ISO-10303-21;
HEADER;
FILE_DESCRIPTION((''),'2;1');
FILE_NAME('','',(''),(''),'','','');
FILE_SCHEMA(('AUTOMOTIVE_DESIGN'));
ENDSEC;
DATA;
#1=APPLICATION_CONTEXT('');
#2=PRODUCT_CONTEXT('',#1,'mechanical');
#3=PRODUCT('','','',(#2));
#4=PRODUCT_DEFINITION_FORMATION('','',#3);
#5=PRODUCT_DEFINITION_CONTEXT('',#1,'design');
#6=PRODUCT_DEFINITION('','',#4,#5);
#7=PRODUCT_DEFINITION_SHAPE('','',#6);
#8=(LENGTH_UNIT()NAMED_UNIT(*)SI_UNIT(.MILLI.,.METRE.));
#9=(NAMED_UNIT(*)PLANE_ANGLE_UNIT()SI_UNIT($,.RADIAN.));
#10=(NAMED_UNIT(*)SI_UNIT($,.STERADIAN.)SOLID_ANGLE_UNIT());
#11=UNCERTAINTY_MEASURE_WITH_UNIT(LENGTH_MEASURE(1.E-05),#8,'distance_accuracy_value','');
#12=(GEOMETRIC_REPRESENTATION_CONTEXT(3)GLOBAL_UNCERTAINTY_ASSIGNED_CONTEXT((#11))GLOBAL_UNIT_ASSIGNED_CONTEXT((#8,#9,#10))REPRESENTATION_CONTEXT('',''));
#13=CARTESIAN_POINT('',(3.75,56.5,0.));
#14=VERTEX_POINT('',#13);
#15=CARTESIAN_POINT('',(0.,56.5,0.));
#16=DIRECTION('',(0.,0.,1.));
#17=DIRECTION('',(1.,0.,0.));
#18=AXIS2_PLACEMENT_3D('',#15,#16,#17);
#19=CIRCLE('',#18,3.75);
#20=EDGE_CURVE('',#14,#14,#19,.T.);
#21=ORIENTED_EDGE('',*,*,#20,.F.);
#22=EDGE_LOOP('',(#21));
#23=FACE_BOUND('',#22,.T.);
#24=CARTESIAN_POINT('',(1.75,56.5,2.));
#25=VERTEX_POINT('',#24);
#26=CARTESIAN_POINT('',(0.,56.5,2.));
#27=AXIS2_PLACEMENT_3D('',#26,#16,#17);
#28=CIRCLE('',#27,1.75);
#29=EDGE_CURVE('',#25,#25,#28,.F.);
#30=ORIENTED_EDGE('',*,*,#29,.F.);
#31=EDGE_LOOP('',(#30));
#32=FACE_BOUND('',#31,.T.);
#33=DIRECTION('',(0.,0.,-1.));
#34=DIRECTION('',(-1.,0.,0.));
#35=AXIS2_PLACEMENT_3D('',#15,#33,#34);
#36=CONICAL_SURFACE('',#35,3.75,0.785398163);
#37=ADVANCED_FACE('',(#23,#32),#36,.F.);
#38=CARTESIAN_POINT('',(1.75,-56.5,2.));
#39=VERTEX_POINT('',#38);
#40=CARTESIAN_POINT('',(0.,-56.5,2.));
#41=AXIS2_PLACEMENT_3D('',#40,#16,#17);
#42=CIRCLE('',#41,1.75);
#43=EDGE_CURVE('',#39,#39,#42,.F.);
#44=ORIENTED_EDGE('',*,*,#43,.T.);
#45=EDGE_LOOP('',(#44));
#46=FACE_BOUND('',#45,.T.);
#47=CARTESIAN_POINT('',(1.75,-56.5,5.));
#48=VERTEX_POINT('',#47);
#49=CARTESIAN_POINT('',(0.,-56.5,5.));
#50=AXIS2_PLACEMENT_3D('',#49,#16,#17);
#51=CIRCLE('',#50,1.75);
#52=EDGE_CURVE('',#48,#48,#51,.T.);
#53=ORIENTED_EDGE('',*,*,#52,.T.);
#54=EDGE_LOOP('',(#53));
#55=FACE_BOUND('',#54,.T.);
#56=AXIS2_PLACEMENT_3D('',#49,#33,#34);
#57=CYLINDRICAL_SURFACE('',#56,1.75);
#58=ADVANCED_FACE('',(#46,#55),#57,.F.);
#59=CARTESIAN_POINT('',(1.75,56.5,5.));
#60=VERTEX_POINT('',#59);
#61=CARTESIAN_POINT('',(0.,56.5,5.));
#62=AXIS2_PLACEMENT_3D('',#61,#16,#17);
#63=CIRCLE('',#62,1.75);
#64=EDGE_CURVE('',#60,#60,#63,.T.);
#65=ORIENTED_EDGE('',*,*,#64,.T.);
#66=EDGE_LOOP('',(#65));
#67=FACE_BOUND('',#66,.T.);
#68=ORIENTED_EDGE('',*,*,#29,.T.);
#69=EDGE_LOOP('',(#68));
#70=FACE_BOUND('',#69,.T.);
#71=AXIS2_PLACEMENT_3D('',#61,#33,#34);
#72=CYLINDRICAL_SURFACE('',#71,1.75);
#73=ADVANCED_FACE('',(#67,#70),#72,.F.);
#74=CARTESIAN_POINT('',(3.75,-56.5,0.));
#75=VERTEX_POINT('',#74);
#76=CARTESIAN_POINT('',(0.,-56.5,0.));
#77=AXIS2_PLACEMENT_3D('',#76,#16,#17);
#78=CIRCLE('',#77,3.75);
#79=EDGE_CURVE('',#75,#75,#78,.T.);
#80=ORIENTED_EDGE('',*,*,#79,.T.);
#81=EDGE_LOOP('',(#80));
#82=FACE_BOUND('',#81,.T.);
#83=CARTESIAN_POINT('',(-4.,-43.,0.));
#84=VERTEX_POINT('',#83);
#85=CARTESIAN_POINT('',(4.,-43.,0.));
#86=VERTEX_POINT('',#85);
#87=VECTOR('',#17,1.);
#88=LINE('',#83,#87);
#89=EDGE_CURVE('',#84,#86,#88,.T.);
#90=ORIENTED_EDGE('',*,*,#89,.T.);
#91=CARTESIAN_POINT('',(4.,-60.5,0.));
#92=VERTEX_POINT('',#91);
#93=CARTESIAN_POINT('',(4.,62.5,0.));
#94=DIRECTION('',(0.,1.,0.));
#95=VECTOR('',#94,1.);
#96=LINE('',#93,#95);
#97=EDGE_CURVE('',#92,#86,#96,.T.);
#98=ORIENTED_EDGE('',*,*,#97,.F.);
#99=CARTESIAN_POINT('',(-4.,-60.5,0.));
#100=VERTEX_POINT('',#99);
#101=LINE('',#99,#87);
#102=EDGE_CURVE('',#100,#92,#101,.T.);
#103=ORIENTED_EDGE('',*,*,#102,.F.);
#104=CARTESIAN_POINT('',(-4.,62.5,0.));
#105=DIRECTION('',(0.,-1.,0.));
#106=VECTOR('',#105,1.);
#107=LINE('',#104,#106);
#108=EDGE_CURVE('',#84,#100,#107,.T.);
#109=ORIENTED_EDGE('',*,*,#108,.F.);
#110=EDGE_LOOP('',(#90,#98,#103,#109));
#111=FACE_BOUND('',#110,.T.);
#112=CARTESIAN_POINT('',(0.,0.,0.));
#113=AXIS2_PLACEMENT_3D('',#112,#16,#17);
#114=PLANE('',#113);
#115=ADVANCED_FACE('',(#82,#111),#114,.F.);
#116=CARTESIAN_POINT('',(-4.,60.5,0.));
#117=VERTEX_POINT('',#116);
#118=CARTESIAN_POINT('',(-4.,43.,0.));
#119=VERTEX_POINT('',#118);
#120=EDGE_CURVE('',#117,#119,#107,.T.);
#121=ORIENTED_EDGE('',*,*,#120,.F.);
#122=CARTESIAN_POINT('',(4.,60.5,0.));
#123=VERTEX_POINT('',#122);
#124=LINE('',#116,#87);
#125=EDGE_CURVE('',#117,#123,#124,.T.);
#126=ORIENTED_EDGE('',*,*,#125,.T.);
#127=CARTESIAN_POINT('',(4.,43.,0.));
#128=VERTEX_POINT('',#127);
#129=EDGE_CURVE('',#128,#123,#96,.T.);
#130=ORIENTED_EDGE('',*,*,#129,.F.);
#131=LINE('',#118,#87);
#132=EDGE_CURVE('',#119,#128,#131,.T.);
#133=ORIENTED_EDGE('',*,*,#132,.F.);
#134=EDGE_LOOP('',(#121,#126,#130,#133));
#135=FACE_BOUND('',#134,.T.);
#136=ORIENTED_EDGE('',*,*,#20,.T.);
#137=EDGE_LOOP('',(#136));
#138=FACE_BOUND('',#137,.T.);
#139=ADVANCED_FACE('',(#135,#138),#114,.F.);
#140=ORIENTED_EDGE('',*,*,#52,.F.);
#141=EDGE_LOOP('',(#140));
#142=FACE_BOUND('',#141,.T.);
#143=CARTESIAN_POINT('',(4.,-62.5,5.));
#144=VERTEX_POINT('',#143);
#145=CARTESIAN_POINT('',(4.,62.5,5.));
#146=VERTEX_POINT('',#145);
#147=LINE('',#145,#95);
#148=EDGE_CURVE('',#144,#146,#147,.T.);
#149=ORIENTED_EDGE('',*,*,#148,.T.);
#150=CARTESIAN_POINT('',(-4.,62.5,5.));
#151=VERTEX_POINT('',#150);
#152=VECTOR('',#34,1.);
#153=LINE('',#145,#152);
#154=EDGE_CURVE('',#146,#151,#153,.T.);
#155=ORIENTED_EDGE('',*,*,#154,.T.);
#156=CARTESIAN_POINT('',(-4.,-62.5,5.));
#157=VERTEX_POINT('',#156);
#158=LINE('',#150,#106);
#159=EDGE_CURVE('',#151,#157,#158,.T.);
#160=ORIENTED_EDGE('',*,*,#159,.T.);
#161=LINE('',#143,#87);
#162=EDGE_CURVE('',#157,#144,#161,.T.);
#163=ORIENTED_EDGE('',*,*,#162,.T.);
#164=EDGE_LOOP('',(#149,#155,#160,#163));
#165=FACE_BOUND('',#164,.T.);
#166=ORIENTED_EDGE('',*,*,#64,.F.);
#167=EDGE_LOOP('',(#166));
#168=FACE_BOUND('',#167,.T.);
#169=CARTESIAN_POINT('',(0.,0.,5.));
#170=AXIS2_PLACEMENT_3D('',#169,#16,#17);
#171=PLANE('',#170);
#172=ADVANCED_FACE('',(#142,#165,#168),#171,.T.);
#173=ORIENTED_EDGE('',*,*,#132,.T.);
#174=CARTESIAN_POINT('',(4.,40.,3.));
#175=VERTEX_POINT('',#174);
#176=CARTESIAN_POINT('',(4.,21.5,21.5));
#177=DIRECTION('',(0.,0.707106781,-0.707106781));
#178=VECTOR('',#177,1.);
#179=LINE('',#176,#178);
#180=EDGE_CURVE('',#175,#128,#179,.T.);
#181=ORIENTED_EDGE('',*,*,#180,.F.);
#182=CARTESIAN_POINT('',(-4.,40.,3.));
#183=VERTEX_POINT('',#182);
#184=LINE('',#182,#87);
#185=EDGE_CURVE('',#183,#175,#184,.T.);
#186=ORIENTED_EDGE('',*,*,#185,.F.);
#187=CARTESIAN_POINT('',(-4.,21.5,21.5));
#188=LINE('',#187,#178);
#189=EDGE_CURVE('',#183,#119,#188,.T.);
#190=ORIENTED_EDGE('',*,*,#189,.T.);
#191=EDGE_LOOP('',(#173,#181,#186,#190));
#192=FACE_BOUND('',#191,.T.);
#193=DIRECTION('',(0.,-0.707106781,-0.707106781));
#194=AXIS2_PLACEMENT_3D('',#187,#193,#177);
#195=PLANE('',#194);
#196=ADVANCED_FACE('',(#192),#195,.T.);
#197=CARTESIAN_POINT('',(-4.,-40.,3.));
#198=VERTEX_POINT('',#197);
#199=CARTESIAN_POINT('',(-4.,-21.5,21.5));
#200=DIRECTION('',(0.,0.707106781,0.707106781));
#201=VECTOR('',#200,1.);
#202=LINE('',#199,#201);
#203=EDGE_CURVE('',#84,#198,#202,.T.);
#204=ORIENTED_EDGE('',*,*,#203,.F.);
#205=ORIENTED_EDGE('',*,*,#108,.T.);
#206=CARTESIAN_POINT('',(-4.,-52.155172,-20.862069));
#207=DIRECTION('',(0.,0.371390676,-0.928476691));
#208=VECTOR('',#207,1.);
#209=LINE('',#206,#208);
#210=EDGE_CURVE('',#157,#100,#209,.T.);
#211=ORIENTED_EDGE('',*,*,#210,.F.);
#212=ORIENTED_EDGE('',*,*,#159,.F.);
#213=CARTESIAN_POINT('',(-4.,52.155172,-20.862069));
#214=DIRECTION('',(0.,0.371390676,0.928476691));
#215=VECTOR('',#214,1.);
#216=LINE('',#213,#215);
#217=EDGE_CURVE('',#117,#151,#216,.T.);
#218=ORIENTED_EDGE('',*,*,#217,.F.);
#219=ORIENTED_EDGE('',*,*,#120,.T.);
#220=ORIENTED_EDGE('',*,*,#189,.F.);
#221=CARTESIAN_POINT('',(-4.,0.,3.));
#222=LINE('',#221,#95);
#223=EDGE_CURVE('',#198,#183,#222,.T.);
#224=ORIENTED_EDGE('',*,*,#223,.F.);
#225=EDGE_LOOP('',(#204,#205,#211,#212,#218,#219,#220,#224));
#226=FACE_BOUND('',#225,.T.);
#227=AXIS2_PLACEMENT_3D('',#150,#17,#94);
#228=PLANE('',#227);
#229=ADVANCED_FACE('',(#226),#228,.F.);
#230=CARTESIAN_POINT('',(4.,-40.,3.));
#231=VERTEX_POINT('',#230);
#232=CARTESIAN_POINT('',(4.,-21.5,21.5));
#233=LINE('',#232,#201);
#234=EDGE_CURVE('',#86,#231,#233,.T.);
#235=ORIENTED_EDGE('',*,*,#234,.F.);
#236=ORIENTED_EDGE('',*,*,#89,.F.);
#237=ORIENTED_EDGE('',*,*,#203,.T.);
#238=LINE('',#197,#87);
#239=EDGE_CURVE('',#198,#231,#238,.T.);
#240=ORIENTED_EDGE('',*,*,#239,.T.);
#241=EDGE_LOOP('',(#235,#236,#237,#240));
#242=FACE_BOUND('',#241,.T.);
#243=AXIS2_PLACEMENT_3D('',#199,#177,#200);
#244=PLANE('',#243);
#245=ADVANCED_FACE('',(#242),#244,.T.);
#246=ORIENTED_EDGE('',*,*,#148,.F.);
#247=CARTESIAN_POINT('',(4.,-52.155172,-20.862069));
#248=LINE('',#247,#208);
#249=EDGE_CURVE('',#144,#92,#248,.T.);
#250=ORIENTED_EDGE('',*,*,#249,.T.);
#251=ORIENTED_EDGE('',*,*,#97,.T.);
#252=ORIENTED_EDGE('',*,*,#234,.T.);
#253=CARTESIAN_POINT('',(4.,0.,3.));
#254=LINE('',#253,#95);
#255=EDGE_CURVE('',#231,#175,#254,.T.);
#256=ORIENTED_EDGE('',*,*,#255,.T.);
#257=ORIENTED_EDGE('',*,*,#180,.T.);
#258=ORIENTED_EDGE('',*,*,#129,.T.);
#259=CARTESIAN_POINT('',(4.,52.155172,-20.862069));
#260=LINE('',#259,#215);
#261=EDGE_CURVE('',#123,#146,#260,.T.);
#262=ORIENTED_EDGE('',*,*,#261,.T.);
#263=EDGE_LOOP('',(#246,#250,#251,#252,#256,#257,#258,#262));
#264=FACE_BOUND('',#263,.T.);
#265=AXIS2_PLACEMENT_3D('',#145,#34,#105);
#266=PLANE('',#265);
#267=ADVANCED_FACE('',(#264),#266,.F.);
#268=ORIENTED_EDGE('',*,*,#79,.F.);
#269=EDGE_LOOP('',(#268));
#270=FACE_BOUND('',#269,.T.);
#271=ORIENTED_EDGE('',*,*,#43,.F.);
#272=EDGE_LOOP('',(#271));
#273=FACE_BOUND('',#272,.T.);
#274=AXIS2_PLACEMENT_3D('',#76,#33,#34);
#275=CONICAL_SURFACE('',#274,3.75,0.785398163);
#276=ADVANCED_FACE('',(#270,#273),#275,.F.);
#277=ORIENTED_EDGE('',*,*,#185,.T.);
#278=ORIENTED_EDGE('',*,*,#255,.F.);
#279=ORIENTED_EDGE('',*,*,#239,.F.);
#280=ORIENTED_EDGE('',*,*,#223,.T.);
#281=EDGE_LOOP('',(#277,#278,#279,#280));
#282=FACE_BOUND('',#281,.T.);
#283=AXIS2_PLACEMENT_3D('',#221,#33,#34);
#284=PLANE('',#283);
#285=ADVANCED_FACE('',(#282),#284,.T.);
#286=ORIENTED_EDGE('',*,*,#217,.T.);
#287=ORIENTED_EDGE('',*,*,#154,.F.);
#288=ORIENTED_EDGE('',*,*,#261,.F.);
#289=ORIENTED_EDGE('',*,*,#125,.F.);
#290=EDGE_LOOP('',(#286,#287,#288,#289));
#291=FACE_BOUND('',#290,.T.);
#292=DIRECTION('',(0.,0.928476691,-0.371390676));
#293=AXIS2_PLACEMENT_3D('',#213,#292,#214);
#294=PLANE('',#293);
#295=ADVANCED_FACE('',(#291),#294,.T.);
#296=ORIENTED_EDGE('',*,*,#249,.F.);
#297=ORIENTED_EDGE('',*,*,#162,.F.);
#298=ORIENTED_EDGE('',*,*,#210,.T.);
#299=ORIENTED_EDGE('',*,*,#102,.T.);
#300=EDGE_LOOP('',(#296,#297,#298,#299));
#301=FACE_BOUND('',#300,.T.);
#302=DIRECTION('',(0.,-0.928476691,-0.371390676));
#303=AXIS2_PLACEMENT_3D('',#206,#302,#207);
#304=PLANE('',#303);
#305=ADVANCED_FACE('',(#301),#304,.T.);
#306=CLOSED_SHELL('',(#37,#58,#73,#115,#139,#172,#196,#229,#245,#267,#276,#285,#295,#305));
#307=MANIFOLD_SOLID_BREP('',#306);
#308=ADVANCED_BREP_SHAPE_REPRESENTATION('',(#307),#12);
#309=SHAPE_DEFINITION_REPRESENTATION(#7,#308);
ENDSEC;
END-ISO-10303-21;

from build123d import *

# Parameters (mm, degrees)
SKETCH1_W           = 125
SKETCH1_H           = 8
SKETCH1_R           = 1.75
BOSS_EXTRUDE1_DEPTH = 5
CUT_EXTRUDE1_DEPTH  = 64.207990001
CHAMFER1_SIZE       = 2


with BuildPart() as part:
    # Sketch1 → Boss-Extrude1 (new body)
    with BuildSketch(Plane(origin=(0, 0, 0), x_dir=(0, 1, 0), z_dir=(0, 0, 1))):
        Rectangle(SKETCH1_W, SKETCH1_H)
        with Locations(Location((-56.5, 0, 0), (0, 0, 270))):
            Circle(SKETCH1_R, mode=Mode.SUBTRACT)
        with Locations(Location((56.5, 0, 0), (0, 0, 270))):
            Circle(SKETCH1_R, mode=Mode.SUBTRACT)
    extrude(amount=BOSS_EXTRUDE1_DEPTH)

    # Sketch2 → Cut-Extrude1 (cut, through all)
    with BuildSketch(Plane.YZ.offset(4)):
        Polygon((-40, 3), (-43, 0), (43, 0), (40, 3), align=None)
        Polygon((-60.5, 0), (-62.5, 5), (-62.5, 0), align=None)
        Polygon((62.5, 5), (60.5, 0), (62.5, 0), align=None)
    extrude(amount=-CUT_EXTRUDE1_DEPTH, mode=Mode.SUBTRACT)

    # Chamfer1
    chamfer1_edges = [part.edges().sort_by_distance(p)[0] for p in [
        (-1.75, -56.5, 0),
        (-1.75, 56.5, 0),
    ]]
    chamfer(chamfer1_edges, length=CHAMFER1_SIZE)


solid = part.part
